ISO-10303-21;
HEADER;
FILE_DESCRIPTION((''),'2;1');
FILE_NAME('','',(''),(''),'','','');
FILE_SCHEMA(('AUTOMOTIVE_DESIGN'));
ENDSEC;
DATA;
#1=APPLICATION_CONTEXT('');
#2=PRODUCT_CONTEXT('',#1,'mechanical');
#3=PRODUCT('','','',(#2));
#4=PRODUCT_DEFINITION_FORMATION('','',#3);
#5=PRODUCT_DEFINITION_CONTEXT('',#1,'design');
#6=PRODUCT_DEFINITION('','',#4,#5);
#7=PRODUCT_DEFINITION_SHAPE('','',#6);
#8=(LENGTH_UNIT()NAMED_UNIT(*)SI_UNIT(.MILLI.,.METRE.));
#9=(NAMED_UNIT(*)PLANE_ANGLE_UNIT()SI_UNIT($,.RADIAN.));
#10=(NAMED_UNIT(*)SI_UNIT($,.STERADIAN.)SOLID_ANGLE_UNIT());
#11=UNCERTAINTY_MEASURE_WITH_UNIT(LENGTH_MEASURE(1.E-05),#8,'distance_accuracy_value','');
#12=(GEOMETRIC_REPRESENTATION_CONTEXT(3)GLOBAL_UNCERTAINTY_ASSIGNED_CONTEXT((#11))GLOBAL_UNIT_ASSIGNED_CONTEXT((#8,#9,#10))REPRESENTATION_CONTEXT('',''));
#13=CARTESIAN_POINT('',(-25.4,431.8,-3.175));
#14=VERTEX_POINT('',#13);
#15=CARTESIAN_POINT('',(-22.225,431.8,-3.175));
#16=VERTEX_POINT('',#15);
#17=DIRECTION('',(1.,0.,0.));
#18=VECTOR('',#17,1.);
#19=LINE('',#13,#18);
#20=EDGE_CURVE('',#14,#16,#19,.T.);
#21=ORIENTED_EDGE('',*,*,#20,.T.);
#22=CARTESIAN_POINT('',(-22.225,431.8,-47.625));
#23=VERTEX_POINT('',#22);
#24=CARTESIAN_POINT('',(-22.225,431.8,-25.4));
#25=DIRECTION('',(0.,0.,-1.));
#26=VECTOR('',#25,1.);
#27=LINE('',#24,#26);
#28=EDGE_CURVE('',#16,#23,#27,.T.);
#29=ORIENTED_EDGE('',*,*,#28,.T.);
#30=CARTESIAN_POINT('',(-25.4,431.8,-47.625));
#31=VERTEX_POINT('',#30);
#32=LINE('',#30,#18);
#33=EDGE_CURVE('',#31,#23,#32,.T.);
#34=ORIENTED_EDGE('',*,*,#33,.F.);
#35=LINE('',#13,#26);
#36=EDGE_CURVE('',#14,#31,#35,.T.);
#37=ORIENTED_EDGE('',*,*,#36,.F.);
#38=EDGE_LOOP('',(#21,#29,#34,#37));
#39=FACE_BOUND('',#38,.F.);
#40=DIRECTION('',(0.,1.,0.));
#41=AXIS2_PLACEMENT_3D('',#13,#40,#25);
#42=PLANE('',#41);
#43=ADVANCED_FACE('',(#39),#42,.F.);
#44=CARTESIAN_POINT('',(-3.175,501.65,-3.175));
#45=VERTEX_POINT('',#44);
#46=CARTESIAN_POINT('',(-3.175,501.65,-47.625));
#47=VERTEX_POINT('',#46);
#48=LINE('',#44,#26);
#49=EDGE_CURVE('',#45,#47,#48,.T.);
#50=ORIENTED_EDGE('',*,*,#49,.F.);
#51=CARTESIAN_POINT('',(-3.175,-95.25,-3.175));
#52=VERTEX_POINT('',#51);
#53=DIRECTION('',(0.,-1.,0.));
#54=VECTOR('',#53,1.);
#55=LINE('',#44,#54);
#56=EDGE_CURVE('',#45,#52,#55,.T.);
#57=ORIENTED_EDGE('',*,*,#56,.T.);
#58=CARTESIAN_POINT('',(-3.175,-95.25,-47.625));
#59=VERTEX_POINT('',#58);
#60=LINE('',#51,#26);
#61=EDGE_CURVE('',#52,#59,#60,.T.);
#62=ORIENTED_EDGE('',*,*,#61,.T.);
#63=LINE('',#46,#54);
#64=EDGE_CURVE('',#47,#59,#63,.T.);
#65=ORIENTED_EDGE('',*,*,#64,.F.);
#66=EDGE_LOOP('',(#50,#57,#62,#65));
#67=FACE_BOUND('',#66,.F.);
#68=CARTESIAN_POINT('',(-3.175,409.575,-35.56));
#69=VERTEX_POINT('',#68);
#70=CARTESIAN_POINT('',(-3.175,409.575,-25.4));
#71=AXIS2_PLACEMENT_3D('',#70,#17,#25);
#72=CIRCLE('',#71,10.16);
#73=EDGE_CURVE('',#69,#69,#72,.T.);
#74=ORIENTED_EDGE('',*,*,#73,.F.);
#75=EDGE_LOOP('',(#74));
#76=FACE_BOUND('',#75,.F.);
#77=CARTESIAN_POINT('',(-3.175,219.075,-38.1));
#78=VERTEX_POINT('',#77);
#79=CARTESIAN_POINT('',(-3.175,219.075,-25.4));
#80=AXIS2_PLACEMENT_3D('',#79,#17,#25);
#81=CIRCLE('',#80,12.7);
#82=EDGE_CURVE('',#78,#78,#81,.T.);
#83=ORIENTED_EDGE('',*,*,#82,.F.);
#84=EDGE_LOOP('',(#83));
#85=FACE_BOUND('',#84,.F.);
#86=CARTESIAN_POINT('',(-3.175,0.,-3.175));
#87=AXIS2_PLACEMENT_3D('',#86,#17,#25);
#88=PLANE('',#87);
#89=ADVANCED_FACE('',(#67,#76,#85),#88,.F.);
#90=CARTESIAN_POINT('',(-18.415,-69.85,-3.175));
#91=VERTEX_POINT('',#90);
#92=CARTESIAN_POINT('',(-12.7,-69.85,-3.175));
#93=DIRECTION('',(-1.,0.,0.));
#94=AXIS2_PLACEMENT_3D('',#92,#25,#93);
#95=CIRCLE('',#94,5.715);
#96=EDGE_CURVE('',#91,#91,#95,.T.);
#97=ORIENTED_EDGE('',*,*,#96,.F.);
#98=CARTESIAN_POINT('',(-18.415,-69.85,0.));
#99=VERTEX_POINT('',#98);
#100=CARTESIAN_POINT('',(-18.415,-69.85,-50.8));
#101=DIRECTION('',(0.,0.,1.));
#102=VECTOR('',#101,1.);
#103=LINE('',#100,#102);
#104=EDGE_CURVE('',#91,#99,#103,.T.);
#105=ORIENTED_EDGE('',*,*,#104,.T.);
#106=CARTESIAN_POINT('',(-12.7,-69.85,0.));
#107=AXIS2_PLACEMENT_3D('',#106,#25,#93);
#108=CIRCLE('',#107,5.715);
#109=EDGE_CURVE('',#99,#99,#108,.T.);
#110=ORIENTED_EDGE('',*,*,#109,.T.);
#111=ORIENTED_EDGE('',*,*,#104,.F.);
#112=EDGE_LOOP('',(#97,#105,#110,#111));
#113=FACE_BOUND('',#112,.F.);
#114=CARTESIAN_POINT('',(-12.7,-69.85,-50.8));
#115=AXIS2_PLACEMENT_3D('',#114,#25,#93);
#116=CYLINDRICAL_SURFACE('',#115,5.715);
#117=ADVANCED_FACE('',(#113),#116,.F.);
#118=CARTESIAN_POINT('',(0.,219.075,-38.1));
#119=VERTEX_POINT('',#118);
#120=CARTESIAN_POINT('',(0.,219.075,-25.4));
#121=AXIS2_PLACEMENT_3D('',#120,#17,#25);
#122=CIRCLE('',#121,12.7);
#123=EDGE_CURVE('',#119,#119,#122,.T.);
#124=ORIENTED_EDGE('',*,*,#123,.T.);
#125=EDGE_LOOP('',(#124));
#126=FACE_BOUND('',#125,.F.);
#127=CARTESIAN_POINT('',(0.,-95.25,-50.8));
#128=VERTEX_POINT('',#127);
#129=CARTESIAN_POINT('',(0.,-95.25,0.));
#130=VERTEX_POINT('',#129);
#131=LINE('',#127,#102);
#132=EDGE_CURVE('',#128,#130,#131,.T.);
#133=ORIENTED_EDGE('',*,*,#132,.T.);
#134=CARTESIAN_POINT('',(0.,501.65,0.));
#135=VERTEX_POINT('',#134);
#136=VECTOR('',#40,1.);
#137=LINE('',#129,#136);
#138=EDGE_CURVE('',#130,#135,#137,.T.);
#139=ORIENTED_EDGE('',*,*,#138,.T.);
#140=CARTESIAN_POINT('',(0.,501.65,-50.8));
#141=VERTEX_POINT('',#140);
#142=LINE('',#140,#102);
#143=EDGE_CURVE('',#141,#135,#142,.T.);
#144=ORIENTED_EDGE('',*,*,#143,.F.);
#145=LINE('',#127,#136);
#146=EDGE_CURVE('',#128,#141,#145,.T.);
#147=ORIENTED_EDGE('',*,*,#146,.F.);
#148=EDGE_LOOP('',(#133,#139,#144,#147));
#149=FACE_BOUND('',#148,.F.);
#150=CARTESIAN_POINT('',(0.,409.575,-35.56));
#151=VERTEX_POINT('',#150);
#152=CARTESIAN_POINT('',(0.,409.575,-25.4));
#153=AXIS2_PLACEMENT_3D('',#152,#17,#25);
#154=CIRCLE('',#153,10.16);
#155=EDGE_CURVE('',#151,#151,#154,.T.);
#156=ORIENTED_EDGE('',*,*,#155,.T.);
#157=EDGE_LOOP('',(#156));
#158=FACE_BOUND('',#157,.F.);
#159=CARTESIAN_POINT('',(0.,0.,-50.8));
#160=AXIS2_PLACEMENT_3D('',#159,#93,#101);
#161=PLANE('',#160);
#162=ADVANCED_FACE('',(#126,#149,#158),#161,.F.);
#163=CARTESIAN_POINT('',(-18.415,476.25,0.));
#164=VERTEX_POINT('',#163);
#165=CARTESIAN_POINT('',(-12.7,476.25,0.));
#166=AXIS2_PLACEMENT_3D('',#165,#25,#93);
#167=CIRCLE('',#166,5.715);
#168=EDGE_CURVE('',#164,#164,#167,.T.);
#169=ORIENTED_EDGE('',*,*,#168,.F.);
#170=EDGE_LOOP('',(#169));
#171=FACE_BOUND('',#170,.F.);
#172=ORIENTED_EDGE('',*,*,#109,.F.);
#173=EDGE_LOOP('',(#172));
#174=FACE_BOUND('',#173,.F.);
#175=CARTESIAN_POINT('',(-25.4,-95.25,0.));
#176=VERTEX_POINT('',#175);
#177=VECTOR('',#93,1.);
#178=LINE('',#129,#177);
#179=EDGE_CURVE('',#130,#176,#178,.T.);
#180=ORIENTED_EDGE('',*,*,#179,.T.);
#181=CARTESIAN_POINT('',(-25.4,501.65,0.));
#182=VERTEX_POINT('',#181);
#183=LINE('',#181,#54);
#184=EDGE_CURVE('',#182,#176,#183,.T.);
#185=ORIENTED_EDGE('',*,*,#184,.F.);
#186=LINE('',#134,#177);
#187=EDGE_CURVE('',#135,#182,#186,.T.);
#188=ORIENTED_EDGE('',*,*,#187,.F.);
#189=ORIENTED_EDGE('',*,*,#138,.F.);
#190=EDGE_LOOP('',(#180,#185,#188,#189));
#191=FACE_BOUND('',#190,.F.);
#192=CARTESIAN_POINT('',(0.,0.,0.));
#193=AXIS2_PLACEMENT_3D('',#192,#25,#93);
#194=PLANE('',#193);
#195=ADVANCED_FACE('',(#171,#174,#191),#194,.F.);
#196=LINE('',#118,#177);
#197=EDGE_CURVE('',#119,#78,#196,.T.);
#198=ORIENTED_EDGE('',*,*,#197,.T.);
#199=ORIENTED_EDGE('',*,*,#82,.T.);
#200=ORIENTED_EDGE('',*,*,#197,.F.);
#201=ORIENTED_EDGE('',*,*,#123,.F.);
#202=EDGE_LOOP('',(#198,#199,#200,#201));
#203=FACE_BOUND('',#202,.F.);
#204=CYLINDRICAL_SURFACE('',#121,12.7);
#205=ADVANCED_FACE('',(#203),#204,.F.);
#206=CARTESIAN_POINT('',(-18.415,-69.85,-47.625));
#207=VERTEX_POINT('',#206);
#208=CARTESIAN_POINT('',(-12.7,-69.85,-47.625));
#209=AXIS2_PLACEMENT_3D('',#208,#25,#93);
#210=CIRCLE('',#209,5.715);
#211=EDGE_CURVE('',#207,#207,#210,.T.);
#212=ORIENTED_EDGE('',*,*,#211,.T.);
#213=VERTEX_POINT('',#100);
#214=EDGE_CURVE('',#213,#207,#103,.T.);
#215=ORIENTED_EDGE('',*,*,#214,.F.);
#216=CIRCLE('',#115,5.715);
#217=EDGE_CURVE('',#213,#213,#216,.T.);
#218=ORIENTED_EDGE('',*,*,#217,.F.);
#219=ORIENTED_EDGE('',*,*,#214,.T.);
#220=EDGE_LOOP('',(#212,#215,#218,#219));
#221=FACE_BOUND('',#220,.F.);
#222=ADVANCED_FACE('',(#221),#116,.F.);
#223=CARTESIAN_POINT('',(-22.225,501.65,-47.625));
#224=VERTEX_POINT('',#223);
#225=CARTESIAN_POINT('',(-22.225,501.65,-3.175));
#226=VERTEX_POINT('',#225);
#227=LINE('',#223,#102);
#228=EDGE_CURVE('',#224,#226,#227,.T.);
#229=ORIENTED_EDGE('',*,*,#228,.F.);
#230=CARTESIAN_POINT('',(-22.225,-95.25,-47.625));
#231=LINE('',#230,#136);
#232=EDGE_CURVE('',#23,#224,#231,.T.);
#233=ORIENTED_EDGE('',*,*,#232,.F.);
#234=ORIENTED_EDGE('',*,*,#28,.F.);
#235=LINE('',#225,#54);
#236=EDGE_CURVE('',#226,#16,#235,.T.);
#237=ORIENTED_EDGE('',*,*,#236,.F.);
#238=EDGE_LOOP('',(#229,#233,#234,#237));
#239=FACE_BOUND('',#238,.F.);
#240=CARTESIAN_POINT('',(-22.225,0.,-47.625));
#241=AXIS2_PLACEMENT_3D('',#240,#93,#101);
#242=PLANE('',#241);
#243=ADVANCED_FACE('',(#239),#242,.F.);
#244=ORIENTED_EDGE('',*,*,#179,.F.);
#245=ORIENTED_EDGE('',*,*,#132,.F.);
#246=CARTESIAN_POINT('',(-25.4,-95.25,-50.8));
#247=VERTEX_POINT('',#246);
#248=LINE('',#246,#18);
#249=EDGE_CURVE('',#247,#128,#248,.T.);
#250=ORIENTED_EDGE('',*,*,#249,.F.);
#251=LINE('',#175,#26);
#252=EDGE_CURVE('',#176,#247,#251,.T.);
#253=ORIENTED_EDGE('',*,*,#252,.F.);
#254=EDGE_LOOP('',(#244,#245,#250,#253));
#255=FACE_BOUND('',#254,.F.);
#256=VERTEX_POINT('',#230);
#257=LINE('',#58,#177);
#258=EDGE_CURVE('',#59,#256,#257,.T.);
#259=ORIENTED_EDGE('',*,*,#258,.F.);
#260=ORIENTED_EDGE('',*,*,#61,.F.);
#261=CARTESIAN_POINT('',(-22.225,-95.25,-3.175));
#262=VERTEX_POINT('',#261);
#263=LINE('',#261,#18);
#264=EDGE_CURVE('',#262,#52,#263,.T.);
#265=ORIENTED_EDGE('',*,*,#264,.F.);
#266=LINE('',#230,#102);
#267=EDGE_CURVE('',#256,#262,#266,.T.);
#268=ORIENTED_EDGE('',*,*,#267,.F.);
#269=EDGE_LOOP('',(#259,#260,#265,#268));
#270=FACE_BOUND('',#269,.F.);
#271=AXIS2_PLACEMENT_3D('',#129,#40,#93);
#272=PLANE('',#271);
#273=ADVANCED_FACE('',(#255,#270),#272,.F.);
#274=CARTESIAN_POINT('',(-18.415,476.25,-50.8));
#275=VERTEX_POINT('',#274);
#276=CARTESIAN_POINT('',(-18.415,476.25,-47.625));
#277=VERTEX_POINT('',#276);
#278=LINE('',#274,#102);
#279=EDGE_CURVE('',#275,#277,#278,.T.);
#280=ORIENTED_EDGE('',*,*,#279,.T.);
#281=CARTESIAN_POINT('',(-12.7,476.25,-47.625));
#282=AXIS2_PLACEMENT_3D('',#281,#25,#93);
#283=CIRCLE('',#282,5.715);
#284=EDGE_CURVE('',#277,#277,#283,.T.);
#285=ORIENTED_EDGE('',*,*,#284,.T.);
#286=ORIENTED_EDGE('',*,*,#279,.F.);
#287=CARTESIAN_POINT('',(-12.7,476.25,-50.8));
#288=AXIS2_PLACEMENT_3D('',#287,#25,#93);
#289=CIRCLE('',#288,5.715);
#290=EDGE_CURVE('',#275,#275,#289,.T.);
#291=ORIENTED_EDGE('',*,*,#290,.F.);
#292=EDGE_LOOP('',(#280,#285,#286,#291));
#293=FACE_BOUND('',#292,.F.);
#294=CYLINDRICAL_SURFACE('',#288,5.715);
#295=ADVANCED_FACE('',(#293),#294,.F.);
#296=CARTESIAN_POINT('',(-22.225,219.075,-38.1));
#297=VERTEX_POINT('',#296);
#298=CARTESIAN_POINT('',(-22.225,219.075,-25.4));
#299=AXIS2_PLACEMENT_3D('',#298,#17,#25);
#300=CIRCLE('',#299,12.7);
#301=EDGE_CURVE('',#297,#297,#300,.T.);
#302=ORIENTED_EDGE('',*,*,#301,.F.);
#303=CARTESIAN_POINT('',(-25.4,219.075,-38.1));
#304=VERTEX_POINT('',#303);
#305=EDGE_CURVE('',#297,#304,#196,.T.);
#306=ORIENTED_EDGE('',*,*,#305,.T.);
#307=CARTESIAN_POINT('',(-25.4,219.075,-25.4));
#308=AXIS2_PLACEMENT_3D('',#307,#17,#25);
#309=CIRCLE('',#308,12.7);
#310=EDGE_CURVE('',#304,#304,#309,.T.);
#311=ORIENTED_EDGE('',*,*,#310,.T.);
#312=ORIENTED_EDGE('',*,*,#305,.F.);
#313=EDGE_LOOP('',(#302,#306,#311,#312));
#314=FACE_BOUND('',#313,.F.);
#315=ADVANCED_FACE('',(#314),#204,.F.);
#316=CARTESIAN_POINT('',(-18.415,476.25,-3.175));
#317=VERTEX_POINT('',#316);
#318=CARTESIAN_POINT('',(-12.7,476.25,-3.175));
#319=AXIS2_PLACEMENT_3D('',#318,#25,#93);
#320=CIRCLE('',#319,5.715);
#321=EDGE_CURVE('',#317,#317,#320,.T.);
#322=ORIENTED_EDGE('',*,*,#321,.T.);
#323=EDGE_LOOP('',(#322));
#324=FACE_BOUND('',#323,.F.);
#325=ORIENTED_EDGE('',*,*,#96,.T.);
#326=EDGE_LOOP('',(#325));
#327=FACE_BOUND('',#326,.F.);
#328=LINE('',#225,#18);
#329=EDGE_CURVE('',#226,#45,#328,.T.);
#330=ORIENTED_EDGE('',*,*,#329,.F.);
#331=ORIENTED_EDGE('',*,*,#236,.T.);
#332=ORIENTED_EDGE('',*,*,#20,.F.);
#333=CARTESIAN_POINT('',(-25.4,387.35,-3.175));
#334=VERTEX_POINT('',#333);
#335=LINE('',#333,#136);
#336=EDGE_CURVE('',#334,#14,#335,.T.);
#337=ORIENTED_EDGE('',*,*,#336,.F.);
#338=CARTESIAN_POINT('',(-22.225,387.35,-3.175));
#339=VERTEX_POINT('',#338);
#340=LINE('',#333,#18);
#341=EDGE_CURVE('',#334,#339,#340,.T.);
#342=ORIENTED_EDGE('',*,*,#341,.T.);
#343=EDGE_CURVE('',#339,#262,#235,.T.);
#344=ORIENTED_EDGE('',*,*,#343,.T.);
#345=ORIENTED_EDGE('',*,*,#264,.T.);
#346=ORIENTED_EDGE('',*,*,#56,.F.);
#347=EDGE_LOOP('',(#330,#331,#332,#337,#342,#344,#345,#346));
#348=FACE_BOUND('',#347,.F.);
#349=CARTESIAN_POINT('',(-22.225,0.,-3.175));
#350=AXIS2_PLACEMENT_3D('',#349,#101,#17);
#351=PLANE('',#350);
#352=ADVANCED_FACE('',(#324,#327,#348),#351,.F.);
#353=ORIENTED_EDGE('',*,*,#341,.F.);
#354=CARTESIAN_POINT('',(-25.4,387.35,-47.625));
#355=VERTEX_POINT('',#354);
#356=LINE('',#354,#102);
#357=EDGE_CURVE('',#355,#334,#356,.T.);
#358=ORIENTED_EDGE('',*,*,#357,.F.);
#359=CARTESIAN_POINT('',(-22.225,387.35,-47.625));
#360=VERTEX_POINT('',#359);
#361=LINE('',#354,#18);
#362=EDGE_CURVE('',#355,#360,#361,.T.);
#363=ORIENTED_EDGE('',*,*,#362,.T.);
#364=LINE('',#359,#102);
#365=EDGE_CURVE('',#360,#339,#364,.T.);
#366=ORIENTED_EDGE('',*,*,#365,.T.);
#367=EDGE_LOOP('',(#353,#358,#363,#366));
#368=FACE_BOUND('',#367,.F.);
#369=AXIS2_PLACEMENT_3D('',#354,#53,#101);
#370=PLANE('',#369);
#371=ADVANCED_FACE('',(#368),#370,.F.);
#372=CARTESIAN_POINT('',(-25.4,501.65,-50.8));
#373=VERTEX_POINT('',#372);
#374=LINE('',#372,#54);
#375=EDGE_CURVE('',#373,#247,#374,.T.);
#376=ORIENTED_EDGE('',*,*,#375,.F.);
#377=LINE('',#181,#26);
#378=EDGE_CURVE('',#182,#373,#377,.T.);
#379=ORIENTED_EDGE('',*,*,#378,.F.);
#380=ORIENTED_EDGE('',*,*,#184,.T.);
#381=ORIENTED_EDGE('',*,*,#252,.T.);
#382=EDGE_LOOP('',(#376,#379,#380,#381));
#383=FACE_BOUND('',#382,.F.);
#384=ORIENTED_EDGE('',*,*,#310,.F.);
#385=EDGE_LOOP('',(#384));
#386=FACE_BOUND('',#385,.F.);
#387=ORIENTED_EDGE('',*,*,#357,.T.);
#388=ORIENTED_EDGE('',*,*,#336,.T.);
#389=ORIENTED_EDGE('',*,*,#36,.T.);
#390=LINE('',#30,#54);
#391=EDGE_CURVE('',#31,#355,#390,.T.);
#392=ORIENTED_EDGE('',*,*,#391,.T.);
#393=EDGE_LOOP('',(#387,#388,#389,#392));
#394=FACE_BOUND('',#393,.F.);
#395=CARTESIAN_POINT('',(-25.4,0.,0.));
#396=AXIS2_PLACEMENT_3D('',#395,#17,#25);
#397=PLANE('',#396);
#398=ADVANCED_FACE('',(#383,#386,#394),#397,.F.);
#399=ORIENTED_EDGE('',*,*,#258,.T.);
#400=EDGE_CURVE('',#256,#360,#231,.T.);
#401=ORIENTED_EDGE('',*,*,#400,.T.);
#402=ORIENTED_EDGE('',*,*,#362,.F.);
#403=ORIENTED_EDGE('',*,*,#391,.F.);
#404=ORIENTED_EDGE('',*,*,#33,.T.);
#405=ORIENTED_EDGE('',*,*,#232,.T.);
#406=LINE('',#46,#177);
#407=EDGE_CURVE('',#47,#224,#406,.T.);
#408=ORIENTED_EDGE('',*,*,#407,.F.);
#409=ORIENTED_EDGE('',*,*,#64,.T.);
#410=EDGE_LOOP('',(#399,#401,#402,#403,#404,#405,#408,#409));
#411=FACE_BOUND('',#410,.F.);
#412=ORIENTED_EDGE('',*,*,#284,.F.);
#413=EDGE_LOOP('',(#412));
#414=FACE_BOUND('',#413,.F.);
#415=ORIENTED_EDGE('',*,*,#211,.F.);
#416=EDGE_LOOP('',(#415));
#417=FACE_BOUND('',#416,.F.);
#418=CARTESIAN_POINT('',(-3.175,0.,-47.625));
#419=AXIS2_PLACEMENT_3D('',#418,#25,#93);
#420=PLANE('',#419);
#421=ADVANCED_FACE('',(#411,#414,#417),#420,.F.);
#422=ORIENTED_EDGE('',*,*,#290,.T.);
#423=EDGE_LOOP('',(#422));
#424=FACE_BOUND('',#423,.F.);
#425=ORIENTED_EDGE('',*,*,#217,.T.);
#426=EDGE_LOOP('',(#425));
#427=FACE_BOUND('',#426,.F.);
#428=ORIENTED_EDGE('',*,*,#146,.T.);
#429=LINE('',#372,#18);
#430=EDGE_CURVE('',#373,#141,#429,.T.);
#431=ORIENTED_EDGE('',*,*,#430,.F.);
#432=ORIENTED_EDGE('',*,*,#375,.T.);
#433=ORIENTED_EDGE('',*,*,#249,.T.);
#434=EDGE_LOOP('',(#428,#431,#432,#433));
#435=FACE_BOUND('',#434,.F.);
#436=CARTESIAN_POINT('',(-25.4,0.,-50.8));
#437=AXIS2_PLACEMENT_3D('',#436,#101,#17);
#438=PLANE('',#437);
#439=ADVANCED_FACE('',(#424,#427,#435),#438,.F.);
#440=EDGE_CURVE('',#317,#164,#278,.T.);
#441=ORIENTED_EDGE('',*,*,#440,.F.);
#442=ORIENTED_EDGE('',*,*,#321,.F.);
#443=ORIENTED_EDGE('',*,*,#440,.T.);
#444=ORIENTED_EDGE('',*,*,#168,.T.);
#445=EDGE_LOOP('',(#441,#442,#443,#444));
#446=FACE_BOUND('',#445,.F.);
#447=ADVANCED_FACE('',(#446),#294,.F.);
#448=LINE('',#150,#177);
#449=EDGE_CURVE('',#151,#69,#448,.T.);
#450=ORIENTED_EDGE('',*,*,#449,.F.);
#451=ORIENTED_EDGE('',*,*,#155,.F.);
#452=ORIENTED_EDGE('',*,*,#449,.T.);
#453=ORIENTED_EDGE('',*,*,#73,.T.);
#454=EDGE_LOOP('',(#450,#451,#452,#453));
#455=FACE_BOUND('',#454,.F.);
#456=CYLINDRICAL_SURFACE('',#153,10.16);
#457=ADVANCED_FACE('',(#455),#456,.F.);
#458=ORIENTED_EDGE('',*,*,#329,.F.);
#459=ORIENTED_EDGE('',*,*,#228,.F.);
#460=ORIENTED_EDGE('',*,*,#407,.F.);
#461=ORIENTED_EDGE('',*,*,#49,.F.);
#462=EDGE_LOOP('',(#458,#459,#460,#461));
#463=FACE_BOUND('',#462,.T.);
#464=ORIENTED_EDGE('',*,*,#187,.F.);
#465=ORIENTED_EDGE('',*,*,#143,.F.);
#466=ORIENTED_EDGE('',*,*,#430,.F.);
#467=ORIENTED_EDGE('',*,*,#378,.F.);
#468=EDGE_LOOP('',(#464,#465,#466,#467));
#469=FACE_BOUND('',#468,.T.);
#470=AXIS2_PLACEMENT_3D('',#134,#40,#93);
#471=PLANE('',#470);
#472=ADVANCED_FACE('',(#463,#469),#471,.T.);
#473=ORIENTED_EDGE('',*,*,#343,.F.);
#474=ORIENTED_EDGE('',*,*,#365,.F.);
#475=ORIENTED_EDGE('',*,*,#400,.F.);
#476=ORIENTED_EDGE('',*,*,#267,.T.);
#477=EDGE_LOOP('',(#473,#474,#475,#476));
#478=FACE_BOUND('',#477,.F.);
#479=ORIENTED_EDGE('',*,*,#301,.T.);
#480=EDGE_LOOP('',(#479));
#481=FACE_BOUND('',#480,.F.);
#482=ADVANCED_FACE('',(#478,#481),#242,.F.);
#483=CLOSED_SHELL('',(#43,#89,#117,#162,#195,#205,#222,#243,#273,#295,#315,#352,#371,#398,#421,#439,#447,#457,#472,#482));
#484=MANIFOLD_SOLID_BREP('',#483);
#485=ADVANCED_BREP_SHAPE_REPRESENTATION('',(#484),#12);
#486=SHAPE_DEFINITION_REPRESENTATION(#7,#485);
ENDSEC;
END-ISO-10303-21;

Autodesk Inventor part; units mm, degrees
ref_plane "YZ Plane" through (0, 0, 0) normal (1, 0, 0) x (0, 1, 0)
ref_plane "XZ Plane" through (0, 0, 0) normal (0, 1, 0) x (-1, 0, 0)
ref_plane "XY Plane" through (0, 0, 0) normal (0, 0, 1) x (1, 0, 0)
sketch "Sketch1" plane through (0, 0, 0) normal (0, 1, 0) x (-1, 0, 0)
  line L0 (0, 0) -> (25.4, 0)
  line L1 (25.4, 0) -> (25.4, -50.8)
  line L2 (25.4, -50.8) -> (0, -50.8)
  line L3 (0, -50.8) -> (0, 0)
  line L4 (22.225, -47.625) -> (22.225, -3.175)
  line L5 (22.225, -3.175) -> (3.175, -3.175)
  line L6 (3.175, -3.175) -> (3.175, -47.625)
  line L7 (3.175, -47.625) -> (22.225, -47.625)
  dimension "d0" = 50.8
  dimension "d1" = 25.4
  dimension "d2" = 3.175
extrude "Extrusion1" add sketch "Sketch1" along normal blind 501.65
sketch "Sketch2" plane through (0, 0, 0) normal (1, 0, 0) x (0, 0, -1)
  circle A0 centre (25.4, 219.075) radius 12.7
  line L0 (0, 0) -> (0, 501.65) projected
  line L1 (50.8, 0) -> (0, 0) projected
  line L2 (50.8, 501.65) -> (0, 501.65) projected
  dimension "d5" = 25.4
  dimension "d6" = 25.4
  dimension "d24" = 282.575
extrude "Extrusion2" cut sketch "Sketch2" against normal blind 25.4
sketch "Sketch4" plane through (-22.225, 0, -47.625) normal (1, 0, 0) x (0, 0, -1)
  circle A0 centre (-22.225, 415.925) radius 7.62
  line L0 (-47.625, 501.65) -> (3.175, 501.65) projected
  line L1 (-47.625, 0) -> (-47.625, 501.65) projected
  dimension "d15" = 25.4
  dimension "d16" = 15.24
  dimension "d20" = 85.725
extrude "Extrusion4" cut sketch "Sketch4" against normal blind 12.7
extrude "Extrusion5" add sketch "Sketch1" against normal blind 95.25
sketch "Sketch8" plane through (-25.4, 501.65, -50.8) normal (-1, 0, 0) x (0, 0, 1)
  line L0 (47.625, -69.85) -> (3.175, -69.85)
  line L1 (3.175, -69.85) -> (3.175, -114.3)
  line L2 (3.175, -114.3) -> (47.625, -114.3)
  line L3 (47.625, -114.3) -> (47.625, -69.85)
  line L4 (0, 0) -> (50.8, 0) projected
  line L5 (47.625, -596.9) -> (47.625, 0) projected
  line L6 (3.175, 0) -> (3.175, -596.9) projected
  point P0 (50.8, -501.65)
  dimension "d29" = 69.85
  dimension "d30" = 0
  dimension "d31" = 0
  dimension "d32" = 44.45
extrude "Extrusion6" cut sketch "Sketch8" against normal blind 12.7 contours L3 L2 L1 L0
sketch "Sketch9" plane through (0, 501.65, 0) normal (1, 0, 0) x (0, 0, -1)
  circle A0 centre (25.4, -92.075) radius 10.16
  line L0 (0, 0) -> (50.8, 0) projected
  line L1 (50.8, 0) -> (50.8, -596.9) projected
  point P0 (0, -501.65)
  dimension "d35" = 92.075
  dimension "d36" = 25.4
  dimension "d37" = 20.32
extrude "Extrusion7" cut sketch "Sketch9" against normal blind 12.7
sketch "Sketch11" plane through (0, 501.65, -50.8) normal (0, 0, -1) x (-1, 0, 0)
  circle A0 centre (12.7, -25.4) radius 5.715
  line L0 (0, 0) -> (25.4, 0) projected
  line L1 (25.4, 0) -> (25.4, -596.9) projected
  circle A1 centre (12.7, -571.5) radius 5.715
  line L2 (25.4, -596.9) -> (0, -596.9) projected
  point P0 (0, -501.65)
  dimension "d48" = 11.43
  dimension "d49" = 25.4
  dimension "d50" = 12.7
  dimension "d51" = 11.43
  dimension "d52" = 12.7
  dimension "d53" = 25.4
extrude "Extrusion9" cut sketch "Sketch11" against normal blind 50.8
properties part number "2x1 16in Aluminum-ver1-1111-2020"
